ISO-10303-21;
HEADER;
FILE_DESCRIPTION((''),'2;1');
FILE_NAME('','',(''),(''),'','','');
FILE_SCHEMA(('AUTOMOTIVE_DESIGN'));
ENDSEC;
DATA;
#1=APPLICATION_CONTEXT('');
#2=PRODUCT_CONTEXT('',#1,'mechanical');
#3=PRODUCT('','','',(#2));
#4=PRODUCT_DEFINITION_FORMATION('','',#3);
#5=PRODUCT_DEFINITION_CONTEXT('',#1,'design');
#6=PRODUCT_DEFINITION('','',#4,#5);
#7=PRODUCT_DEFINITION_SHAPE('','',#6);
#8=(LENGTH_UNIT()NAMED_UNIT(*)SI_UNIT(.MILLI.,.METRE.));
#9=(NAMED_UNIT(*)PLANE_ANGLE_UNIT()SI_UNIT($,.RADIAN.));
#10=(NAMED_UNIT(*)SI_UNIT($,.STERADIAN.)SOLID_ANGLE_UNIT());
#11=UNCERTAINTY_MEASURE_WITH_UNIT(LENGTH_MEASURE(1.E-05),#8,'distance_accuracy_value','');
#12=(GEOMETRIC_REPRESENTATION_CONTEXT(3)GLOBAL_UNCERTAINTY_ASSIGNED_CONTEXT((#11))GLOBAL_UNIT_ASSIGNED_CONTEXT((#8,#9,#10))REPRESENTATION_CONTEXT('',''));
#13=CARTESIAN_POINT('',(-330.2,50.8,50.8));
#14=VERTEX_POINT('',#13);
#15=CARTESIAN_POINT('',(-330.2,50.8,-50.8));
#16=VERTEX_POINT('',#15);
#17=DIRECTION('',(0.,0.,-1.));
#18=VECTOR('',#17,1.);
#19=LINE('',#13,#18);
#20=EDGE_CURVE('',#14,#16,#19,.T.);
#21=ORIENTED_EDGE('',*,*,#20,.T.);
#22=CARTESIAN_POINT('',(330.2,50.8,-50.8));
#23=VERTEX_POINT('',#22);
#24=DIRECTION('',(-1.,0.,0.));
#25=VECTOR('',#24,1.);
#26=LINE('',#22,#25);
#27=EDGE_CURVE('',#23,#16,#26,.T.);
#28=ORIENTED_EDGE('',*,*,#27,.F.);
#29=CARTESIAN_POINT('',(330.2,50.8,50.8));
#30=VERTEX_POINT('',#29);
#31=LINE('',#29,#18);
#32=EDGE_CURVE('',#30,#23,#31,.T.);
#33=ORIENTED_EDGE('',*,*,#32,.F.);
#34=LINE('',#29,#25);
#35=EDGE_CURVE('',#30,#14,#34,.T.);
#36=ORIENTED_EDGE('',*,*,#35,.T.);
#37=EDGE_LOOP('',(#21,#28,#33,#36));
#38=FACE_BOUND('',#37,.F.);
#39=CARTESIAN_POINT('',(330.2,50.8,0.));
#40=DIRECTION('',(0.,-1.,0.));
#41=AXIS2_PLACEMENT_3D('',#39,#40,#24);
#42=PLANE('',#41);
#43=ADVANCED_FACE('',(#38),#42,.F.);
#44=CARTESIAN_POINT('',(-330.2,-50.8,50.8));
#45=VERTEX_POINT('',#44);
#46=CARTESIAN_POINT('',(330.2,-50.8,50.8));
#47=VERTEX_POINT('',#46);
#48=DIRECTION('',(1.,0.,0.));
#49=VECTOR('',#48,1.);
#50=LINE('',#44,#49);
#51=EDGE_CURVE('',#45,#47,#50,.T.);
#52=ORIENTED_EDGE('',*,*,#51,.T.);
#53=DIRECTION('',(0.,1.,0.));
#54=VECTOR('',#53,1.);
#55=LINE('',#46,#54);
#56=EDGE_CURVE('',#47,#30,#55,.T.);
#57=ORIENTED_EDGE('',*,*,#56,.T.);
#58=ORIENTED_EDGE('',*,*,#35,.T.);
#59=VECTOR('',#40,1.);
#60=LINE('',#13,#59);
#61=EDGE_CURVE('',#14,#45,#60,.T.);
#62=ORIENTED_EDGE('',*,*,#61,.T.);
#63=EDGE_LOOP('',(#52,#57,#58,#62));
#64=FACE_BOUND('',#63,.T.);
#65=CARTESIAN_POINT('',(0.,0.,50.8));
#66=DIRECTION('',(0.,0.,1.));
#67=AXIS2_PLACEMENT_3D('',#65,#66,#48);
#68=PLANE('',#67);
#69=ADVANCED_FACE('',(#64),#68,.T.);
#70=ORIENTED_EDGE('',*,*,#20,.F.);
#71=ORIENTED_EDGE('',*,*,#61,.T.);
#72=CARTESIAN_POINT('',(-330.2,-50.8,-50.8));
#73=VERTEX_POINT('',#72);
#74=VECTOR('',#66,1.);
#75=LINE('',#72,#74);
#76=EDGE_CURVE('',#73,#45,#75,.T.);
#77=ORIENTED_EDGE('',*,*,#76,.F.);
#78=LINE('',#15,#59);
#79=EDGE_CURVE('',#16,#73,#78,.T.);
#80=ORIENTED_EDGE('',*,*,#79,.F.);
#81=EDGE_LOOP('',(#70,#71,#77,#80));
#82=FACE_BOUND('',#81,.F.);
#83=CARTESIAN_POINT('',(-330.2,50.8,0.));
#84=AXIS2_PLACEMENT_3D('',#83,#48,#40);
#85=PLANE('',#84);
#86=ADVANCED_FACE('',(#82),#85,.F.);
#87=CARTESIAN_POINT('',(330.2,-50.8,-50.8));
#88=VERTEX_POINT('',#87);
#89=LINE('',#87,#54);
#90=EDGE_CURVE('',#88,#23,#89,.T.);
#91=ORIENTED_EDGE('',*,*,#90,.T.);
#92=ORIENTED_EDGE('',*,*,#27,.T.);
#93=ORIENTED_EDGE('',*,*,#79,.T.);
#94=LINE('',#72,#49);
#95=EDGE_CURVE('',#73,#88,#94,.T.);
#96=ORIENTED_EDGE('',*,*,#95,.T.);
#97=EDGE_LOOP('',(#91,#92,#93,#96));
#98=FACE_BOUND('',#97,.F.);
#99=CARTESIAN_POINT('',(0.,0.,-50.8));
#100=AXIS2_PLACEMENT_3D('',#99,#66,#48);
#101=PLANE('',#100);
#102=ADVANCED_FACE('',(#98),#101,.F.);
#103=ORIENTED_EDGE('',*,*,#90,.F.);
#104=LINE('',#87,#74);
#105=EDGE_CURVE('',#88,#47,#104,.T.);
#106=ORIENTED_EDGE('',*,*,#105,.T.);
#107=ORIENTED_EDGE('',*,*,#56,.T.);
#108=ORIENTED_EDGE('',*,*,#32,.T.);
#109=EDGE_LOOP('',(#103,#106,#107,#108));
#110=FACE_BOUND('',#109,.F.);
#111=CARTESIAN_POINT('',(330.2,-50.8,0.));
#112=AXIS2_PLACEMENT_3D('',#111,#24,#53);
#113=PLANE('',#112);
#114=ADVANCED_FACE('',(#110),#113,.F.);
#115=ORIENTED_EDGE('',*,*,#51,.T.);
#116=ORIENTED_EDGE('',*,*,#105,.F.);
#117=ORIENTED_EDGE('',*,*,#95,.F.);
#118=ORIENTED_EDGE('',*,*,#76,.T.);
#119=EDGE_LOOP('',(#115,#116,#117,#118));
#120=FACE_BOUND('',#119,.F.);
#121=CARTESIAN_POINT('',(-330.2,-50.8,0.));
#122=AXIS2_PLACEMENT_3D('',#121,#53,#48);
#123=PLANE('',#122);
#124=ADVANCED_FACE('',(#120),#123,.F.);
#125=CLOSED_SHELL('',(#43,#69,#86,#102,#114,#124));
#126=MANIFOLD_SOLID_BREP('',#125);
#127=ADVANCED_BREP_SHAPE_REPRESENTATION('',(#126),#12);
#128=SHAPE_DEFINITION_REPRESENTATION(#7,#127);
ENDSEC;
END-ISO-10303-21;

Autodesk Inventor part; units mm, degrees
ref_plane "YZ Plane" through (0, 0, 0) normal (1, 0, 0) x (0, 1, 0)
ref_plane "XZ Plane" through (0, 0, 0) normal (0, 1, 0) x (-1, 0, 0)
ref_plane "XY Plane" through (0, 0, 0) normal (0, 0, 1) x (1, 0, 0)
sketch "Sketch1" plane through (0, 0, 0) normal (0, 0, 1) x (1, 0, 0)
  line L0 (-330.2, -50.8) -> (330.2, -50.8)
  line L1 (330.2, -50.8) -> (330.2, 50.8)
  line L2 (330.2, 50.8) -> (-330.2, 50.8)
  line L3 (-330.2, 50.8) -> (-330.2, -50.8)
  line L4 (-330.2, -50.8) -> (330.2, 50.8) construction
  line L5 (330.2, -50.8) -> (-330.2, 50.8) construction
  point P0 (0, 0)
  dimension "d0" = 101.6
  dimension "d1" = 660.4
extrude "Extrusion1" add sketch "Sketch1" along normal mid plane 101.6
properties part number "MU-005 bumper"
